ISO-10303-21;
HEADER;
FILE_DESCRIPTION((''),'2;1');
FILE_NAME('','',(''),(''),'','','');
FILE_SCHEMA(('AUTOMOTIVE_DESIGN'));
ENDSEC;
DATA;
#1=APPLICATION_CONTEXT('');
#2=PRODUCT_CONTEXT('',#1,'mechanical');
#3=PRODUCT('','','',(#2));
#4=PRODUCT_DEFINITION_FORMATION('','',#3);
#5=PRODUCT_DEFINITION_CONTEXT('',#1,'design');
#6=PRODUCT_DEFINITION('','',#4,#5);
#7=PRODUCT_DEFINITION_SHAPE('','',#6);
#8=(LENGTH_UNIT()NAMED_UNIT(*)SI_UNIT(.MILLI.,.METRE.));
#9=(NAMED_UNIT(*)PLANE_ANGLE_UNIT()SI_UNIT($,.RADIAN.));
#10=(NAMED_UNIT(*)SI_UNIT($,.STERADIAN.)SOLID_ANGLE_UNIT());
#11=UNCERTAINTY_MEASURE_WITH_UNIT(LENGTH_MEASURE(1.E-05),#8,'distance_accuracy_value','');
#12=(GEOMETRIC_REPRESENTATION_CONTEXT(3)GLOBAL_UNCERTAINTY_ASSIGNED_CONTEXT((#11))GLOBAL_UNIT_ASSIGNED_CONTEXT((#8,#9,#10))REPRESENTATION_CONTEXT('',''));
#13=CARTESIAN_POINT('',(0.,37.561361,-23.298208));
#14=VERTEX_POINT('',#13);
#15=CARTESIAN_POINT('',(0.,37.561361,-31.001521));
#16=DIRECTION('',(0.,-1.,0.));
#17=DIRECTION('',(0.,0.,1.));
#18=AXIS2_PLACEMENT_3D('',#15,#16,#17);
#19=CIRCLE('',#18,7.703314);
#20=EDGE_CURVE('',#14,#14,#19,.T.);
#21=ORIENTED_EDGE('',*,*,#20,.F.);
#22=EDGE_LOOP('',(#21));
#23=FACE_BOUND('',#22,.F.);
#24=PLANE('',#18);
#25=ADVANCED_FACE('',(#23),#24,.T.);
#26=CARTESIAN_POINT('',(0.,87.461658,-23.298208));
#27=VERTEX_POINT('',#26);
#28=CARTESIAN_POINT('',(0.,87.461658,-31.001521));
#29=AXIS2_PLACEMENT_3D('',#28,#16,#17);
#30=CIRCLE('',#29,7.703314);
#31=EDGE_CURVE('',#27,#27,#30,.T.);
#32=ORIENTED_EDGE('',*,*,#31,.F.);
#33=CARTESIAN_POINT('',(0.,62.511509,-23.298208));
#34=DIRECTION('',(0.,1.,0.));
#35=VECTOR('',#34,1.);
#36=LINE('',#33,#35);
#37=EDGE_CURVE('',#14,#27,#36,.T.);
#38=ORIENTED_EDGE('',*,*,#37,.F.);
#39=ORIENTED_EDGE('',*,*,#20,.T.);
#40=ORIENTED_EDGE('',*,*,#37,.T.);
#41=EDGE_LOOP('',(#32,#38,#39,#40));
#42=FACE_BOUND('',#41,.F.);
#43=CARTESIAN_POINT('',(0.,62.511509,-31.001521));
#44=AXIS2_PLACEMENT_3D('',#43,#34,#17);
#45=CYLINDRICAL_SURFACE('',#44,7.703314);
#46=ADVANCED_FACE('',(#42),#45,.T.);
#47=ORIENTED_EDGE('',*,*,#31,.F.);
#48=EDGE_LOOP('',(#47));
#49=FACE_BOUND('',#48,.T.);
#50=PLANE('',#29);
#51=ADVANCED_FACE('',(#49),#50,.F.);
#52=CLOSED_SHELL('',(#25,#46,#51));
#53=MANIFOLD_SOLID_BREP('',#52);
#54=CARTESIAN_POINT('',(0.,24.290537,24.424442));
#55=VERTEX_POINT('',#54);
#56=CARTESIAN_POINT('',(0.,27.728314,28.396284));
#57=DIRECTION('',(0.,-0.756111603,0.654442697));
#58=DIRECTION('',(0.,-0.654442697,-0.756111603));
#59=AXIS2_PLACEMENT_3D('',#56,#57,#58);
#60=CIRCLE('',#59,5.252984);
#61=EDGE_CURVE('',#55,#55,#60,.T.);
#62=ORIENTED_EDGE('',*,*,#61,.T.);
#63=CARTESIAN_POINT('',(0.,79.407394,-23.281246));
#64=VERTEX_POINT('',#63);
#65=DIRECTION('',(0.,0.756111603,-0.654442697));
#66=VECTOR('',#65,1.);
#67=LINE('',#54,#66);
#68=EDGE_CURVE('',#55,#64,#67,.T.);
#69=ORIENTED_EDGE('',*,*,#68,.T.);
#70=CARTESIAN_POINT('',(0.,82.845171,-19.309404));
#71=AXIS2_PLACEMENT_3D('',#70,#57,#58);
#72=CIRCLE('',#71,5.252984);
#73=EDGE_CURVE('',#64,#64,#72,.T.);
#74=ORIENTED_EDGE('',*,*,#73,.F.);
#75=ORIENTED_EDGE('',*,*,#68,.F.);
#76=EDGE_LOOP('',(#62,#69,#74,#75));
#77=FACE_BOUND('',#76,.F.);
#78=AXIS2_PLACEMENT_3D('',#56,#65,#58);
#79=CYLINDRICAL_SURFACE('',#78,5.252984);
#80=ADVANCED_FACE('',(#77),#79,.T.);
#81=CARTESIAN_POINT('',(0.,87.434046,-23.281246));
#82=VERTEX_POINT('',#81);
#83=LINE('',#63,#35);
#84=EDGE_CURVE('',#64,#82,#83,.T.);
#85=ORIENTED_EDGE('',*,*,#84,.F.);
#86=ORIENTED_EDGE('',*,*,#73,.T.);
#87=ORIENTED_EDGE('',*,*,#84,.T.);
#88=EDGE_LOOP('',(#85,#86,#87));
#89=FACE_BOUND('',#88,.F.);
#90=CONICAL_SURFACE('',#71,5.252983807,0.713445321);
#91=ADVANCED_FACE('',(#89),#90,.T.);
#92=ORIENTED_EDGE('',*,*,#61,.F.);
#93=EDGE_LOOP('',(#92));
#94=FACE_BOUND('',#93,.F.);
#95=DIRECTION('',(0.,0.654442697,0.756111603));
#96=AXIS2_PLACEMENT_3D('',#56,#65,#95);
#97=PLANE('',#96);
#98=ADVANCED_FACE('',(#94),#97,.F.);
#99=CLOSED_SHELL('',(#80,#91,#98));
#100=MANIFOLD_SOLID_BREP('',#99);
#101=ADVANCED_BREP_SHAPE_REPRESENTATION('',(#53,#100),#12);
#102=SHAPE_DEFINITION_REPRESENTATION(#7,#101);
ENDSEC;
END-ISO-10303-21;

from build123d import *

# Parameters (mm, degrees)
F0_W = 49.9002970755
F0_H = 7.703313604


with BuildPart() as f1:
    # F0 (on Right) → F1 (revolve)
    with BuildSketch(Plane.YZ):
        with Locations((62.5115092844, -27.1498644724)):
            Rectangle(F0_W, F0_H)
    revolve(axis=Axis((0, 62.5115092844, -31.0015212744), (0, -1, 0)))


with BuildPart() as f3:
    # F2 (on Right) → F3 (revolve)
    with BuildSketch(Plane.YZ):
        Polygon((79.4073939323, -23.2812464237), (87.4340459704, -23.2812464237), (27.7283135802, 28.3962842077), (24.2905366899, 24.4244421998), align=None)
    revolve(axis=Axis((0, 57.5811797753, 2.557518892), (0, -0.7561116031, 0.654442697)))


solid = Compound([f1.part, f3.part])
